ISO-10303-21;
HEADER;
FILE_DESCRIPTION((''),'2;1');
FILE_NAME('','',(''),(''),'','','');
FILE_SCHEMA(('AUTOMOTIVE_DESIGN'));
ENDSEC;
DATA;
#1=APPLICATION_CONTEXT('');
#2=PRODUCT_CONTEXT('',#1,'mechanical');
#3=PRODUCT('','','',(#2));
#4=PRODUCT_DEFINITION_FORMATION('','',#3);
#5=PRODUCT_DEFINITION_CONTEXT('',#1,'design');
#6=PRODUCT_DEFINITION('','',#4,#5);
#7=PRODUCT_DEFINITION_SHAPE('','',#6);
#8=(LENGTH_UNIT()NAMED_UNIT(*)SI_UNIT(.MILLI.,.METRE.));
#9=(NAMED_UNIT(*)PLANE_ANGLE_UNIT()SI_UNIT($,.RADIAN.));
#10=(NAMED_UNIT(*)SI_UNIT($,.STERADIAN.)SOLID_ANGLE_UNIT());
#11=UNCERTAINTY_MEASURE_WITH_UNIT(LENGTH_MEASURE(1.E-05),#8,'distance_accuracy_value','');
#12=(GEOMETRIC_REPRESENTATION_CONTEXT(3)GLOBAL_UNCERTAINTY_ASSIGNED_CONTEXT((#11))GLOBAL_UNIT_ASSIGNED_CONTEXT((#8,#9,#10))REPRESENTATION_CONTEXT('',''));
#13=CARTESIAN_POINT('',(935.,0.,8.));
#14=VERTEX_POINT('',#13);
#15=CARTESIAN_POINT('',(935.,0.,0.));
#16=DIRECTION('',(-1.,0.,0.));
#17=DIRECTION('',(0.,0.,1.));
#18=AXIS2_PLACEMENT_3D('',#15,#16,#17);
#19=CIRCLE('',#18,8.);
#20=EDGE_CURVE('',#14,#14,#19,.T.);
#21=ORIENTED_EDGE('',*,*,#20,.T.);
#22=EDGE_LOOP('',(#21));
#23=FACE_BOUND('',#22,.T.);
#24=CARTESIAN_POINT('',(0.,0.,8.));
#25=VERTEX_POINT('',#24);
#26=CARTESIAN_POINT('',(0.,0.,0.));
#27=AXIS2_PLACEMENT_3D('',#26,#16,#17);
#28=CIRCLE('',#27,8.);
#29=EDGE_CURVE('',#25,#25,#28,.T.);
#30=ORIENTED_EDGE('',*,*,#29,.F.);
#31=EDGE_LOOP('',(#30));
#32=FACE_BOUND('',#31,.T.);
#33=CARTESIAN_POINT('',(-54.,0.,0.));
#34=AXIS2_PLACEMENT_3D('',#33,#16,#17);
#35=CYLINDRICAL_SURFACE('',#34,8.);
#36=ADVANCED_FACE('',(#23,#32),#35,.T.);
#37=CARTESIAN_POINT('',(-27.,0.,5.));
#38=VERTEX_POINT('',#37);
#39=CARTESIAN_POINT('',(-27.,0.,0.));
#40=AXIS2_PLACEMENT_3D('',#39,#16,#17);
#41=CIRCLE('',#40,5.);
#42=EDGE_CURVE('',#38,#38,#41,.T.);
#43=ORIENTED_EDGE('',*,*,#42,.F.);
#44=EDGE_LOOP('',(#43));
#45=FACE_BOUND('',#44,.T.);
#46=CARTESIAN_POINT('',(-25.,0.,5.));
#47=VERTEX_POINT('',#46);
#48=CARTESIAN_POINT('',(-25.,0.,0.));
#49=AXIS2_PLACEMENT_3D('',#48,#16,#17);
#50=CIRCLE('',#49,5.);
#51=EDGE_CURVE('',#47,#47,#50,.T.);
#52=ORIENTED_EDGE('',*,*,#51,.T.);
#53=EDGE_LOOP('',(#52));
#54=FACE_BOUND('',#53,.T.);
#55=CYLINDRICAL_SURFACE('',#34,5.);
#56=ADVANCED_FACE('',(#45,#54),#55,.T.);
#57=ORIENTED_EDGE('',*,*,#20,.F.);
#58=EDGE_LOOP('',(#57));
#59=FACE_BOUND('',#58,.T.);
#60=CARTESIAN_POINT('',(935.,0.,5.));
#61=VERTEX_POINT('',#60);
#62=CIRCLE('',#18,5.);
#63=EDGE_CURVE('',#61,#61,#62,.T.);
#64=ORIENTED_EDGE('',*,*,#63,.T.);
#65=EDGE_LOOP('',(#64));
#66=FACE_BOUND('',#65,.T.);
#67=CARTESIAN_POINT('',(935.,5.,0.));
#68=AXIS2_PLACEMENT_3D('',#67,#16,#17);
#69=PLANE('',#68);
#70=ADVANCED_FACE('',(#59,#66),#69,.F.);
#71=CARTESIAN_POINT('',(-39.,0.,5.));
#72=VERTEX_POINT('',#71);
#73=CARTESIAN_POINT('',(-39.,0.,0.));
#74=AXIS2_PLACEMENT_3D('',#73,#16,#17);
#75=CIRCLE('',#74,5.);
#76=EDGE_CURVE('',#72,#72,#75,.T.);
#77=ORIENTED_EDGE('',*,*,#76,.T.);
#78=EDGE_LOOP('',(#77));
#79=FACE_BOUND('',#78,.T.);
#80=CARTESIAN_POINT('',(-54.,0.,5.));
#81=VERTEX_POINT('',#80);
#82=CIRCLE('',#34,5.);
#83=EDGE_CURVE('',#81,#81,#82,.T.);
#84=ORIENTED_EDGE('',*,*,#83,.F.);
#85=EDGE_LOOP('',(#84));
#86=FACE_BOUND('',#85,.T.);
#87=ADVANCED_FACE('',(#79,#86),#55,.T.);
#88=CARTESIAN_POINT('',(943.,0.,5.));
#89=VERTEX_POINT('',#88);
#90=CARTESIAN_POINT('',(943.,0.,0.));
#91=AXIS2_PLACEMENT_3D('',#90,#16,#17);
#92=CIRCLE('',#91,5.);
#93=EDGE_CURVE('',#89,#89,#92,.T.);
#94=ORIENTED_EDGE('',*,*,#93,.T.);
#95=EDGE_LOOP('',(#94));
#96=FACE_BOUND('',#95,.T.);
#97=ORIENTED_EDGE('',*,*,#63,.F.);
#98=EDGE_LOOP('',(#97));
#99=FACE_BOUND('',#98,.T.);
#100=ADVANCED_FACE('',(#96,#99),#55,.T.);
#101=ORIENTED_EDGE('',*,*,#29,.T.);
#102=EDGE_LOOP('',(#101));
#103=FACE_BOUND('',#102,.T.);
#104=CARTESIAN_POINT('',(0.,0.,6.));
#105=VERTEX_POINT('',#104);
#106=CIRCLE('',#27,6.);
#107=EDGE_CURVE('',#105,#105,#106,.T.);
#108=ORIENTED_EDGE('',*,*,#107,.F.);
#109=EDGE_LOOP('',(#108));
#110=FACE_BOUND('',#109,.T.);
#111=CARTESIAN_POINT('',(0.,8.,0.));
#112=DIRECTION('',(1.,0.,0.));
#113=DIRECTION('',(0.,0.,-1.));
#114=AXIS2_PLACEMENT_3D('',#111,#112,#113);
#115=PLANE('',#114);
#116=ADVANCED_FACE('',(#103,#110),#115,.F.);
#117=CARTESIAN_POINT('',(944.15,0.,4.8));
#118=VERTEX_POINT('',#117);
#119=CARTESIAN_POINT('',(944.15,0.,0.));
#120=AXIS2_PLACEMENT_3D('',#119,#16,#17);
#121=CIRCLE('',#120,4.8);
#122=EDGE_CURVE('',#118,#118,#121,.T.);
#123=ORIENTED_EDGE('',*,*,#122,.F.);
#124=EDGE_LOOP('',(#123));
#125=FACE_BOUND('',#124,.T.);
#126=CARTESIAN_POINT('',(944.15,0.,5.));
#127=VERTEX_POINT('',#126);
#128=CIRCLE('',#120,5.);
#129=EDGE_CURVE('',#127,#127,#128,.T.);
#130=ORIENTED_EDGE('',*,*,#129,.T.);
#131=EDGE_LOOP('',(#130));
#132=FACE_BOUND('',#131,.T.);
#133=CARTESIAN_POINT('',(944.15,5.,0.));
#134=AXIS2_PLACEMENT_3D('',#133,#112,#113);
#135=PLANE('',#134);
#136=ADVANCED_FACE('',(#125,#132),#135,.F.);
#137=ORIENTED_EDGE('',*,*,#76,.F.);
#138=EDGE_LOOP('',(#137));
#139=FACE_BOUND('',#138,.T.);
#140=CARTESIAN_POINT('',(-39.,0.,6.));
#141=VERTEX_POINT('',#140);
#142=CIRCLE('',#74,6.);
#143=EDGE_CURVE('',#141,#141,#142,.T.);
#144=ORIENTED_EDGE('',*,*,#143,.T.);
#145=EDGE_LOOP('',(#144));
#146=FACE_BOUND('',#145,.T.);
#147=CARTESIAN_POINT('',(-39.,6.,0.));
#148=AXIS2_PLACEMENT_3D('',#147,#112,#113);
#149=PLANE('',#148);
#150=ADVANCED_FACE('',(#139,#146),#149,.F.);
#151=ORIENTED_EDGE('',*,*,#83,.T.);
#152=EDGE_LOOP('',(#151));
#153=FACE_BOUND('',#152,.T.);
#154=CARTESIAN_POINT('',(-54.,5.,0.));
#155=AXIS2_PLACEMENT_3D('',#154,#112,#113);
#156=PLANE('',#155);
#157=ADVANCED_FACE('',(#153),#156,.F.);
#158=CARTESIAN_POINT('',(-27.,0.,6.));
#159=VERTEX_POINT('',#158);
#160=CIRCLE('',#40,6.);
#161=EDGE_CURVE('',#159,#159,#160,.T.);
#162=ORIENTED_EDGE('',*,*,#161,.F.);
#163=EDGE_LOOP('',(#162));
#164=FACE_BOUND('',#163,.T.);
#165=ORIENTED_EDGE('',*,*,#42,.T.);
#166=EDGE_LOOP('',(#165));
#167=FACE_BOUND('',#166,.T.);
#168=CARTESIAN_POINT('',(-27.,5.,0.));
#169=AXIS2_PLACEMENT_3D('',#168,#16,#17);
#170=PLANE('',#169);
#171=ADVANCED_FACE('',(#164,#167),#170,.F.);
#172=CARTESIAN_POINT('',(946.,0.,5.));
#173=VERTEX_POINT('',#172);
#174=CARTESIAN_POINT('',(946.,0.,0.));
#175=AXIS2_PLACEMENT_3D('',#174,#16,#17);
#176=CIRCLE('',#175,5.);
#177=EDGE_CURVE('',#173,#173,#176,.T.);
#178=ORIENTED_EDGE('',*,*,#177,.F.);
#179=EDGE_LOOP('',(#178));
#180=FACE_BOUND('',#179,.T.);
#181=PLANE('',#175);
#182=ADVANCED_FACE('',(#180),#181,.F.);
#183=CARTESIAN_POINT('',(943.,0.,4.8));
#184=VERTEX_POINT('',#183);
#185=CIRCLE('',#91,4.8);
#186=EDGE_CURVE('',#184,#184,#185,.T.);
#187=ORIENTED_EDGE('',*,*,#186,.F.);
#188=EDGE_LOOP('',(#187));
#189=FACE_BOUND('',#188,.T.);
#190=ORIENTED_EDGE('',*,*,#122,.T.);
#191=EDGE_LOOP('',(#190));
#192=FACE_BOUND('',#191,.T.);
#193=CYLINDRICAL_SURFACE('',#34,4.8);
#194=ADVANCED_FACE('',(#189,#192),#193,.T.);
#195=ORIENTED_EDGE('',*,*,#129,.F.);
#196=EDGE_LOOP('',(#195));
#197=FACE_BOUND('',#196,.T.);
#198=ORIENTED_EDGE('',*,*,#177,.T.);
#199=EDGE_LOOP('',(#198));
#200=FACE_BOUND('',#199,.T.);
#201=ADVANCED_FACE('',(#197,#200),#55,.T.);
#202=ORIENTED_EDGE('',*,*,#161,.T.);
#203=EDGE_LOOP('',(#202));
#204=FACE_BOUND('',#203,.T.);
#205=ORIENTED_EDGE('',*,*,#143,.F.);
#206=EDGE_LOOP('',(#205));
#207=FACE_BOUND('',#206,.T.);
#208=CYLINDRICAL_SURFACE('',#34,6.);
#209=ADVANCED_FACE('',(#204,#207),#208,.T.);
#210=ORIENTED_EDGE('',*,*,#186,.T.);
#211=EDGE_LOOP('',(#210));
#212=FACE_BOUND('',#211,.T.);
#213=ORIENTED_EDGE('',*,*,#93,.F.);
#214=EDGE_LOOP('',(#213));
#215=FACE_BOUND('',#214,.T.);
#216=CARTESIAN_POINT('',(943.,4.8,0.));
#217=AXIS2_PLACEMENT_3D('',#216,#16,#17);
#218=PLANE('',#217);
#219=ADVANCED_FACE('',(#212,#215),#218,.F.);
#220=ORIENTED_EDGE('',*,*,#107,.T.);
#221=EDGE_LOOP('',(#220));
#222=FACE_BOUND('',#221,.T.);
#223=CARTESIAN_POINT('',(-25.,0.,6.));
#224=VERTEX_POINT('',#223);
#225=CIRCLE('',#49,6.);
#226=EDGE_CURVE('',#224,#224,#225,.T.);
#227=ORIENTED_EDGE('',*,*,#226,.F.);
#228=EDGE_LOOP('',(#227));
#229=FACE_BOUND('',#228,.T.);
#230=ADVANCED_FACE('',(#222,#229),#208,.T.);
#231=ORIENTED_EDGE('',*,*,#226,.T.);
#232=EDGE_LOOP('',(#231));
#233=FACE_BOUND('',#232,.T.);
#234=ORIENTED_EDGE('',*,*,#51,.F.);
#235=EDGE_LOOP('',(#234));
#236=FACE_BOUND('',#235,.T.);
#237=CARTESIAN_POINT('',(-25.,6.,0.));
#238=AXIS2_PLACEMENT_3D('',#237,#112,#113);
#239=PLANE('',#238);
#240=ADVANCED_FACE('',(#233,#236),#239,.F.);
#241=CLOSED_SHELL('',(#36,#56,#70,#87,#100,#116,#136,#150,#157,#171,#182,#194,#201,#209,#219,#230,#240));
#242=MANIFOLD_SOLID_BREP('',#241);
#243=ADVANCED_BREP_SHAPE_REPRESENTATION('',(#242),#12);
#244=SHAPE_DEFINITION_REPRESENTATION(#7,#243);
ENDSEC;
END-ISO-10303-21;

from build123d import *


with BuildPart() as part:
    # Sketch1 → Revolve1 (revolve)
    with BuildSketch(Plane.XY, mode=Mode.PRIVATE) as revolve1_sk:
        Polygon((-54, 0), (946, 0), (946, 5), (944.15, 5), (944.15, 4.8), (943, 4.8), (943, 5), (935, 5), (935, 8), (0, 8), (0, 6), (-25, 6), (-25, 5), (-27, 5), (-27, 6), (-39, 6), (-39, 5), (-54, 5), align=None)
    revolve(revolve1_sk.sketch.rotate(Axis((-54, 0, 0), (1, 0, 0)), 90), axis=Axis((-54, 0, 0), (1, 0, 0)))


solid = part.part
